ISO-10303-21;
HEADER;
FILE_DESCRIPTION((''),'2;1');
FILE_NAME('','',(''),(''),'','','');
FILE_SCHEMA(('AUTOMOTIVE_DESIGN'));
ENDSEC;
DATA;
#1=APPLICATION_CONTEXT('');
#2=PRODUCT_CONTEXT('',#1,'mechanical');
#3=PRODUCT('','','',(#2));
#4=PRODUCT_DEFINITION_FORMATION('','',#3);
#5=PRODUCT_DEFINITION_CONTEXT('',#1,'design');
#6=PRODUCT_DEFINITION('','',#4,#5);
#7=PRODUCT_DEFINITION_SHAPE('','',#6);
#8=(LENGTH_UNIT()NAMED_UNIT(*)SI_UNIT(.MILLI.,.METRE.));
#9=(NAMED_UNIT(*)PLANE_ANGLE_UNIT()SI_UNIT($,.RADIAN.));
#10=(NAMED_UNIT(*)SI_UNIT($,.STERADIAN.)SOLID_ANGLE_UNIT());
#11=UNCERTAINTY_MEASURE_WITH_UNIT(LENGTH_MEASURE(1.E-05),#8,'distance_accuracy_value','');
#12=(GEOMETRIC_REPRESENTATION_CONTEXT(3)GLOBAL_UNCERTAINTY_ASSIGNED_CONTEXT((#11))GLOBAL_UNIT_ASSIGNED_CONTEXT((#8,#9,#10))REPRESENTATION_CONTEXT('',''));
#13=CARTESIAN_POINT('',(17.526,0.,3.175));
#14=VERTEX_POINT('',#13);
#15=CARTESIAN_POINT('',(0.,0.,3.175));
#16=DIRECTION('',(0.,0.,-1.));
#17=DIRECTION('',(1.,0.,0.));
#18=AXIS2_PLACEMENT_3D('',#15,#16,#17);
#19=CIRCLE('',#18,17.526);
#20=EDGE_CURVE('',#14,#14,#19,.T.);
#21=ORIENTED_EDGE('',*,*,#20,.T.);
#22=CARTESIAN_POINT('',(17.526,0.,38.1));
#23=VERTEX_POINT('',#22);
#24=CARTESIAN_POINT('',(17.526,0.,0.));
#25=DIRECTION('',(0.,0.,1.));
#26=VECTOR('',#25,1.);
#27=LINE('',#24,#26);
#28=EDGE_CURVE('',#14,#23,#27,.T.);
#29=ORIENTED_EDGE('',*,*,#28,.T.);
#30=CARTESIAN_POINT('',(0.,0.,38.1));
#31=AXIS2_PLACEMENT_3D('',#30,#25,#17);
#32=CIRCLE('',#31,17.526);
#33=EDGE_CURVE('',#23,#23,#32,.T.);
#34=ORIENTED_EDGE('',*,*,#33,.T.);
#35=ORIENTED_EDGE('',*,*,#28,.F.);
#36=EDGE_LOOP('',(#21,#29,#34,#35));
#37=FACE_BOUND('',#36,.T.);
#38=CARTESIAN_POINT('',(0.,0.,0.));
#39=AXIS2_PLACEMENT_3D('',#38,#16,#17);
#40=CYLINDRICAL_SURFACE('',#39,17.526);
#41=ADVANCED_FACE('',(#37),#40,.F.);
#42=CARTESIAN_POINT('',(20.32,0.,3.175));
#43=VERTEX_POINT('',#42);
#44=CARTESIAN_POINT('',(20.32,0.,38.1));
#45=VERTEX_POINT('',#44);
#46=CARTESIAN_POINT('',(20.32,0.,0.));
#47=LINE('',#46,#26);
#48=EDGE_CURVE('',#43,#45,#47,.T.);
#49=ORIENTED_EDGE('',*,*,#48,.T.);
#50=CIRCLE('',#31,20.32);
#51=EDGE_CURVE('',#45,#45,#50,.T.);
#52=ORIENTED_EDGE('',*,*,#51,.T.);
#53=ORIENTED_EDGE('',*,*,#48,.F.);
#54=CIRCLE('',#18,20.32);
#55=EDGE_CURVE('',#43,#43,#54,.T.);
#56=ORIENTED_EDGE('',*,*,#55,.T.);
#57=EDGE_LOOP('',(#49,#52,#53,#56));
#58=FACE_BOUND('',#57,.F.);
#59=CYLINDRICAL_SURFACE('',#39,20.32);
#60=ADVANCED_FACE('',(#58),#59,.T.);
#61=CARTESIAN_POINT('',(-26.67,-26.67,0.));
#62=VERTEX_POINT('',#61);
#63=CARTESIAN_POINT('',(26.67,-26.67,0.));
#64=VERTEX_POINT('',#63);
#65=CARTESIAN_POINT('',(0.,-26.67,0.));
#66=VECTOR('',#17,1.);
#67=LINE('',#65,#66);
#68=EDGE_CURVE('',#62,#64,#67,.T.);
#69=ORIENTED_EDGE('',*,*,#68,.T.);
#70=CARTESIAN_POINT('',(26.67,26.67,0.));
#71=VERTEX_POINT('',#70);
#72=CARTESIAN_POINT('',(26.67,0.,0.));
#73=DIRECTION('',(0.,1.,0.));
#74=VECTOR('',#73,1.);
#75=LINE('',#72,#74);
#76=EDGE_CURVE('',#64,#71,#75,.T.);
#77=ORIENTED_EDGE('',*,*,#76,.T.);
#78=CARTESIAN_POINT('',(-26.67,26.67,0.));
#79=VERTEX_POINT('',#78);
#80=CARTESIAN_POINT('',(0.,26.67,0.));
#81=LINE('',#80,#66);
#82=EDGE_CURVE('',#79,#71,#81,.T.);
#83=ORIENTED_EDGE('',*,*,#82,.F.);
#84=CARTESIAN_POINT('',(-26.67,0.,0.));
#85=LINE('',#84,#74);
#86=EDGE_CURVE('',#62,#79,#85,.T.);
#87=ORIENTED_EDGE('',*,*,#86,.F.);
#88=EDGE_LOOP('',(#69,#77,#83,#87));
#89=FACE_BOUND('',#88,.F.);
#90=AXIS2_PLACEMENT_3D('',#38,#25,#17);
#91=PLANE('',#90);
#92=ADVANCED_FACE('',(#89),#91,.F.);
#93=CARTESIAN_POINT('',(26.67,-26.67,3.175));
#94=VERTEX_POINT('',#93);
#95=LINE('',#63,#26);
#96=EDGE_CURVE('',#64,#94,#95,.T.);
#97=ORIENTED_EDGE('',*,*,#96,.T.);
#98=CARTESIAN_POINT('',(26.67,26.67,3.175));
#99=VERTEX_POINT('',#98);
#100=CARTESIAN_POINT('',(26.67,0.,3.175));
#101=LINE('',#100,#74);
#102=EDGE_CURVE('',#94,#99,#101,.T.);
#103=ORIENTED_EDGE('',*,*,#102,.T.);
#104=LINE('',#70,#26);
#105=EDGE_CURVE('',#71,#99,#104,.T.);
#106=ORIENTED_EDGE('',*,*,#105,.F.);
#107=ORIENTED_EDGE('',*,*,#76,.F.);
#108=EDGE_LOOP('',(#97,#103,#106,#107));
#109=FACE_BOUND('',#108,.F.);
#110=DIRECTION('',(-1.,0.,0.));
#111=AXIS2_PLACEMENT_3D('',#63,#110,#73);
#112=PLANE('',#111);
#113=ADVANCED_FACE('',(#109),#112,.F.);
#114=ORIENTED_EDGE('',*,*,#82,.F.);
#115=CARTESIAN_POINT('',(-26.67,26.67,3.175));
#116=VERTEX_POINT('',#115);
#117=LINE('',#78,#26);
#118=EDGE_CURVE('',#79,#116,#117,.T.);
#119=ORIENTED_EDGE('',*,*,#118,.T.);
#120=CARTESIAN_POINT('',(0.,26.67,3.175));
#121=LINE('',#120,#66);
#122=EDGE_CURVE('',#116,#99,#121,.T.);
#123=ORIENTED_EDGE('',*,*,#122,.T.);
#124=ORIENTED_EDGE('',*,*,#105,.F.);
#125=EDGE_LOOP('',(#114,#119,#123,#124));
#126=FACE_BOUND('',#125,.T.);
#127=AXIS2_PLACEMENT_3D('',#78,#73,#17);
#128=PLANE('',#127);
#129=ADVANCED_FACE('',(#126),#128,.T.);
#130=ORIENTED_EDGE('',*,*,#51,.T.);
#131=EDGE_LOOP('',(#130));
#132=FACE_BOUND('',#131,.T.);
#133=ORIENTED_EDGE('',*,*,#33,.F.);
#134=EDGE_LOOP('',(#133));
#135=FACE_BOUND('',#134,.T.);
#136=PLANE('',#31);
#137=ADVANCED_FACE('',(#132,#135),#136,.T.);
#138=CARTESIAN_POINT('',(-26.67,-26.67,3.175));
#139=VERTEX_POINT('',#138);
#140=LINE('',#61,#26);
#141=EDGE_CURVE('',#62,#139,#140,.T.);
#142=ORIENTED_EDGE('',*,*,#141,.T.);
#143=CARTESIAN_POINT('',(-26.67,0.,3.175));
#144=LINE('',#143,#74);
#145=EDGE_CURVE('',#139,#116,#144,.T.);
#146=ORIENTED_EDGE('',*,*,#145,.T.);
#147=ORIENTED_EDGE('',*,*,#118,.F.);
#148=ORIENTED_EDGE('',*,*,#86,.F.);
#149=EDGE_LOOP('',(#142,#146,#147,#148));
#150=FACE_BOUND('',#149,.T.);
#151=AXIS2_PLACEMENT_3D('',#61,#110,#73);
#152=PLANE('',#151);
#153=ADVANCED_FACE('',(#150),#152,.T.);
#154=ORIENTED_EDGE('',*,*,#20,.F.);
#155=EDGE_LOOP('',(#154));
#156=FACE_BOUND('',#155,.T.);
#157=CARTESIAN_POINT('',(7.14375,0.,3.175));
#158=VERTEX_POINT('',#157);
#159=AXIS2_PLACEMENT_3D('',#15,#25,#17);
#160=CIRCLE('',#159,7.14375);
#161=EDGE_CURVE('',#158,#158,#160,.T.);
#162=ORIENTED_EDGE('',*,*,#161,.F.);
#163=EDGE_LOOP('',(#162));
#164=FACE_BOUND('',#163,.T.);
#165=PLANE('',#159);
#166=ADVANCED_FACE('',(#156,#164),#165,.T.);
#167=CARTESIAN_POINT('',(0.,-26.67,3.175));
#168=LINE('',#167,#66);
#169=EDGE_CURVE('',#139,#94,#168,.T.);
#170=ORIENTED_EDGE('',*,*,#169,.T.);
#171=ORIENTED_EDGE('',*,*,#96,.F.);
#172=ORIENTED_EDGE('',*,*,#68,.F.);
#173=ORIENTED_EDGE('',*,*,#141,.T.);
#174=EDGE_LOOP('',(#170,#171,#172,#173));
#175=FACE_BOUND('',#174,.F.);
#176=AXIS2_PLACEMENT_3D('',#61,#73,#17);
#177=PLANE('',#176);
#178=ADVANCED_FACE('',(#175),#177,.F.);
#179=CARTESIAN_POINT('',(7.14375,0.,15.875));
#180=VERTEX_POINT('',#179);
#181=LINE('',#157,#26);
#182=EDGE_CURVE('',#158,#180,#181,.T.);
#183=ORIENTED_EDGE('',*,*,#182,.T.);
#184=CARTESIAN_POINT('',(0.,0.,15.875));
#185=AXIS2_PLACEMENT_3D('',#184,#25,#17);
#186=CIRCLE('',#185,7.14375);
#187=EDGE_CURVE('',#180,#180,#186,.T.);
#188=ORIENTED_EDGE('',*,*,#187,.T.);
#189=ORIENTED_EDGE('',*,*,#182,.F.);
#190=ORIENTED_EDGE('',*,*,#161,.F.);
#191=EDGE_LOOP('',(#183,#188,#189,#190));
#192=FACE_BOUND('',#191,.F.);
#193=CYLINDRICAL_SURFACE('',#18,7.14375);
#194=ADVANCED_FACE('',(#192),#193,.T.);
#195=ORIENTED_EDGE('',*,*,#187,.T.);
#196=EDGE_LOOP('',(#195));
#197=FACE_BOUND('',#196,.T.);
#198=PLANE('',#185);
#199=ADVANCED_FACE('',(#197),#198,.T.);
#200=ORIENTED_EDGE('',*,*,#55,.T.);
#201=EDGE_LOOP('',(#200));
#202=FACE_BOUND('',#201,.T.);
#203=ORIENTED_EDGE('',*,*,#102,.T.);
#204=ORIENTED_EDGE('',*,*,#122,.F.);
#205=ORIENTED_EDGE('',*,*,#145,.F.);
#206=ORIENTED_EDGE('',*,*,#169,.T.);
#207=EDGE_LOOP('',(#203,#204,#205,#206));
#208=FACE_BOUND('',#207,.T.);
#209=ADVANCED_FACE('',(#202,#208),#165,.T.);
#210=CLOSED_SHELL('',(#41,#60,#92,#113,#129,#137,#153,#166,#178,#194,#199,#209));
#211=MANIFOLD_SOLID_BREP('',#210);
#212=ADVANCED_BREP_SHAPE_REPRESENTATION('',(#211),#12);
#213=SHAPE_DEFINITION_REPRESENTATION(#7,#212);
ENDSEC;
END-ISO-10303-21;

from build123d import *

# Parameters (mm, degrees)
F0_R     = 20.32
F0_R_2   = 17.526
F1_DEPTH = 38.1
F2_W     = 53.34
F2_H     = 53.34
F3_DEPTH = 3.175
F4_R     = 7.14375
F5_DEPTH = 12.7


with BuildPart() as f1:
    # F0 (on Top) → F1 (new body)
    with BuildSketch(Plane.XY):
        Circle(F0_R)
        Circle(F0_R_2, mode=Mode.SUBTRACT)
    extrude(amount=F1_DEPTH)

    # F2 (on Top) → F3 (join)
    with BuildSketch(Plane.XY):
        Rectangle(F2_W, F2_H)
    extrude(amount=F3_DEPTH)

    # F4 (on face) → F5 (join)
    with BuildSketch(Plane.XY.offset(3.175)):
        Circle(F4_R)
    extrude(amount=F5_DEPTH)


solid = f1.part
